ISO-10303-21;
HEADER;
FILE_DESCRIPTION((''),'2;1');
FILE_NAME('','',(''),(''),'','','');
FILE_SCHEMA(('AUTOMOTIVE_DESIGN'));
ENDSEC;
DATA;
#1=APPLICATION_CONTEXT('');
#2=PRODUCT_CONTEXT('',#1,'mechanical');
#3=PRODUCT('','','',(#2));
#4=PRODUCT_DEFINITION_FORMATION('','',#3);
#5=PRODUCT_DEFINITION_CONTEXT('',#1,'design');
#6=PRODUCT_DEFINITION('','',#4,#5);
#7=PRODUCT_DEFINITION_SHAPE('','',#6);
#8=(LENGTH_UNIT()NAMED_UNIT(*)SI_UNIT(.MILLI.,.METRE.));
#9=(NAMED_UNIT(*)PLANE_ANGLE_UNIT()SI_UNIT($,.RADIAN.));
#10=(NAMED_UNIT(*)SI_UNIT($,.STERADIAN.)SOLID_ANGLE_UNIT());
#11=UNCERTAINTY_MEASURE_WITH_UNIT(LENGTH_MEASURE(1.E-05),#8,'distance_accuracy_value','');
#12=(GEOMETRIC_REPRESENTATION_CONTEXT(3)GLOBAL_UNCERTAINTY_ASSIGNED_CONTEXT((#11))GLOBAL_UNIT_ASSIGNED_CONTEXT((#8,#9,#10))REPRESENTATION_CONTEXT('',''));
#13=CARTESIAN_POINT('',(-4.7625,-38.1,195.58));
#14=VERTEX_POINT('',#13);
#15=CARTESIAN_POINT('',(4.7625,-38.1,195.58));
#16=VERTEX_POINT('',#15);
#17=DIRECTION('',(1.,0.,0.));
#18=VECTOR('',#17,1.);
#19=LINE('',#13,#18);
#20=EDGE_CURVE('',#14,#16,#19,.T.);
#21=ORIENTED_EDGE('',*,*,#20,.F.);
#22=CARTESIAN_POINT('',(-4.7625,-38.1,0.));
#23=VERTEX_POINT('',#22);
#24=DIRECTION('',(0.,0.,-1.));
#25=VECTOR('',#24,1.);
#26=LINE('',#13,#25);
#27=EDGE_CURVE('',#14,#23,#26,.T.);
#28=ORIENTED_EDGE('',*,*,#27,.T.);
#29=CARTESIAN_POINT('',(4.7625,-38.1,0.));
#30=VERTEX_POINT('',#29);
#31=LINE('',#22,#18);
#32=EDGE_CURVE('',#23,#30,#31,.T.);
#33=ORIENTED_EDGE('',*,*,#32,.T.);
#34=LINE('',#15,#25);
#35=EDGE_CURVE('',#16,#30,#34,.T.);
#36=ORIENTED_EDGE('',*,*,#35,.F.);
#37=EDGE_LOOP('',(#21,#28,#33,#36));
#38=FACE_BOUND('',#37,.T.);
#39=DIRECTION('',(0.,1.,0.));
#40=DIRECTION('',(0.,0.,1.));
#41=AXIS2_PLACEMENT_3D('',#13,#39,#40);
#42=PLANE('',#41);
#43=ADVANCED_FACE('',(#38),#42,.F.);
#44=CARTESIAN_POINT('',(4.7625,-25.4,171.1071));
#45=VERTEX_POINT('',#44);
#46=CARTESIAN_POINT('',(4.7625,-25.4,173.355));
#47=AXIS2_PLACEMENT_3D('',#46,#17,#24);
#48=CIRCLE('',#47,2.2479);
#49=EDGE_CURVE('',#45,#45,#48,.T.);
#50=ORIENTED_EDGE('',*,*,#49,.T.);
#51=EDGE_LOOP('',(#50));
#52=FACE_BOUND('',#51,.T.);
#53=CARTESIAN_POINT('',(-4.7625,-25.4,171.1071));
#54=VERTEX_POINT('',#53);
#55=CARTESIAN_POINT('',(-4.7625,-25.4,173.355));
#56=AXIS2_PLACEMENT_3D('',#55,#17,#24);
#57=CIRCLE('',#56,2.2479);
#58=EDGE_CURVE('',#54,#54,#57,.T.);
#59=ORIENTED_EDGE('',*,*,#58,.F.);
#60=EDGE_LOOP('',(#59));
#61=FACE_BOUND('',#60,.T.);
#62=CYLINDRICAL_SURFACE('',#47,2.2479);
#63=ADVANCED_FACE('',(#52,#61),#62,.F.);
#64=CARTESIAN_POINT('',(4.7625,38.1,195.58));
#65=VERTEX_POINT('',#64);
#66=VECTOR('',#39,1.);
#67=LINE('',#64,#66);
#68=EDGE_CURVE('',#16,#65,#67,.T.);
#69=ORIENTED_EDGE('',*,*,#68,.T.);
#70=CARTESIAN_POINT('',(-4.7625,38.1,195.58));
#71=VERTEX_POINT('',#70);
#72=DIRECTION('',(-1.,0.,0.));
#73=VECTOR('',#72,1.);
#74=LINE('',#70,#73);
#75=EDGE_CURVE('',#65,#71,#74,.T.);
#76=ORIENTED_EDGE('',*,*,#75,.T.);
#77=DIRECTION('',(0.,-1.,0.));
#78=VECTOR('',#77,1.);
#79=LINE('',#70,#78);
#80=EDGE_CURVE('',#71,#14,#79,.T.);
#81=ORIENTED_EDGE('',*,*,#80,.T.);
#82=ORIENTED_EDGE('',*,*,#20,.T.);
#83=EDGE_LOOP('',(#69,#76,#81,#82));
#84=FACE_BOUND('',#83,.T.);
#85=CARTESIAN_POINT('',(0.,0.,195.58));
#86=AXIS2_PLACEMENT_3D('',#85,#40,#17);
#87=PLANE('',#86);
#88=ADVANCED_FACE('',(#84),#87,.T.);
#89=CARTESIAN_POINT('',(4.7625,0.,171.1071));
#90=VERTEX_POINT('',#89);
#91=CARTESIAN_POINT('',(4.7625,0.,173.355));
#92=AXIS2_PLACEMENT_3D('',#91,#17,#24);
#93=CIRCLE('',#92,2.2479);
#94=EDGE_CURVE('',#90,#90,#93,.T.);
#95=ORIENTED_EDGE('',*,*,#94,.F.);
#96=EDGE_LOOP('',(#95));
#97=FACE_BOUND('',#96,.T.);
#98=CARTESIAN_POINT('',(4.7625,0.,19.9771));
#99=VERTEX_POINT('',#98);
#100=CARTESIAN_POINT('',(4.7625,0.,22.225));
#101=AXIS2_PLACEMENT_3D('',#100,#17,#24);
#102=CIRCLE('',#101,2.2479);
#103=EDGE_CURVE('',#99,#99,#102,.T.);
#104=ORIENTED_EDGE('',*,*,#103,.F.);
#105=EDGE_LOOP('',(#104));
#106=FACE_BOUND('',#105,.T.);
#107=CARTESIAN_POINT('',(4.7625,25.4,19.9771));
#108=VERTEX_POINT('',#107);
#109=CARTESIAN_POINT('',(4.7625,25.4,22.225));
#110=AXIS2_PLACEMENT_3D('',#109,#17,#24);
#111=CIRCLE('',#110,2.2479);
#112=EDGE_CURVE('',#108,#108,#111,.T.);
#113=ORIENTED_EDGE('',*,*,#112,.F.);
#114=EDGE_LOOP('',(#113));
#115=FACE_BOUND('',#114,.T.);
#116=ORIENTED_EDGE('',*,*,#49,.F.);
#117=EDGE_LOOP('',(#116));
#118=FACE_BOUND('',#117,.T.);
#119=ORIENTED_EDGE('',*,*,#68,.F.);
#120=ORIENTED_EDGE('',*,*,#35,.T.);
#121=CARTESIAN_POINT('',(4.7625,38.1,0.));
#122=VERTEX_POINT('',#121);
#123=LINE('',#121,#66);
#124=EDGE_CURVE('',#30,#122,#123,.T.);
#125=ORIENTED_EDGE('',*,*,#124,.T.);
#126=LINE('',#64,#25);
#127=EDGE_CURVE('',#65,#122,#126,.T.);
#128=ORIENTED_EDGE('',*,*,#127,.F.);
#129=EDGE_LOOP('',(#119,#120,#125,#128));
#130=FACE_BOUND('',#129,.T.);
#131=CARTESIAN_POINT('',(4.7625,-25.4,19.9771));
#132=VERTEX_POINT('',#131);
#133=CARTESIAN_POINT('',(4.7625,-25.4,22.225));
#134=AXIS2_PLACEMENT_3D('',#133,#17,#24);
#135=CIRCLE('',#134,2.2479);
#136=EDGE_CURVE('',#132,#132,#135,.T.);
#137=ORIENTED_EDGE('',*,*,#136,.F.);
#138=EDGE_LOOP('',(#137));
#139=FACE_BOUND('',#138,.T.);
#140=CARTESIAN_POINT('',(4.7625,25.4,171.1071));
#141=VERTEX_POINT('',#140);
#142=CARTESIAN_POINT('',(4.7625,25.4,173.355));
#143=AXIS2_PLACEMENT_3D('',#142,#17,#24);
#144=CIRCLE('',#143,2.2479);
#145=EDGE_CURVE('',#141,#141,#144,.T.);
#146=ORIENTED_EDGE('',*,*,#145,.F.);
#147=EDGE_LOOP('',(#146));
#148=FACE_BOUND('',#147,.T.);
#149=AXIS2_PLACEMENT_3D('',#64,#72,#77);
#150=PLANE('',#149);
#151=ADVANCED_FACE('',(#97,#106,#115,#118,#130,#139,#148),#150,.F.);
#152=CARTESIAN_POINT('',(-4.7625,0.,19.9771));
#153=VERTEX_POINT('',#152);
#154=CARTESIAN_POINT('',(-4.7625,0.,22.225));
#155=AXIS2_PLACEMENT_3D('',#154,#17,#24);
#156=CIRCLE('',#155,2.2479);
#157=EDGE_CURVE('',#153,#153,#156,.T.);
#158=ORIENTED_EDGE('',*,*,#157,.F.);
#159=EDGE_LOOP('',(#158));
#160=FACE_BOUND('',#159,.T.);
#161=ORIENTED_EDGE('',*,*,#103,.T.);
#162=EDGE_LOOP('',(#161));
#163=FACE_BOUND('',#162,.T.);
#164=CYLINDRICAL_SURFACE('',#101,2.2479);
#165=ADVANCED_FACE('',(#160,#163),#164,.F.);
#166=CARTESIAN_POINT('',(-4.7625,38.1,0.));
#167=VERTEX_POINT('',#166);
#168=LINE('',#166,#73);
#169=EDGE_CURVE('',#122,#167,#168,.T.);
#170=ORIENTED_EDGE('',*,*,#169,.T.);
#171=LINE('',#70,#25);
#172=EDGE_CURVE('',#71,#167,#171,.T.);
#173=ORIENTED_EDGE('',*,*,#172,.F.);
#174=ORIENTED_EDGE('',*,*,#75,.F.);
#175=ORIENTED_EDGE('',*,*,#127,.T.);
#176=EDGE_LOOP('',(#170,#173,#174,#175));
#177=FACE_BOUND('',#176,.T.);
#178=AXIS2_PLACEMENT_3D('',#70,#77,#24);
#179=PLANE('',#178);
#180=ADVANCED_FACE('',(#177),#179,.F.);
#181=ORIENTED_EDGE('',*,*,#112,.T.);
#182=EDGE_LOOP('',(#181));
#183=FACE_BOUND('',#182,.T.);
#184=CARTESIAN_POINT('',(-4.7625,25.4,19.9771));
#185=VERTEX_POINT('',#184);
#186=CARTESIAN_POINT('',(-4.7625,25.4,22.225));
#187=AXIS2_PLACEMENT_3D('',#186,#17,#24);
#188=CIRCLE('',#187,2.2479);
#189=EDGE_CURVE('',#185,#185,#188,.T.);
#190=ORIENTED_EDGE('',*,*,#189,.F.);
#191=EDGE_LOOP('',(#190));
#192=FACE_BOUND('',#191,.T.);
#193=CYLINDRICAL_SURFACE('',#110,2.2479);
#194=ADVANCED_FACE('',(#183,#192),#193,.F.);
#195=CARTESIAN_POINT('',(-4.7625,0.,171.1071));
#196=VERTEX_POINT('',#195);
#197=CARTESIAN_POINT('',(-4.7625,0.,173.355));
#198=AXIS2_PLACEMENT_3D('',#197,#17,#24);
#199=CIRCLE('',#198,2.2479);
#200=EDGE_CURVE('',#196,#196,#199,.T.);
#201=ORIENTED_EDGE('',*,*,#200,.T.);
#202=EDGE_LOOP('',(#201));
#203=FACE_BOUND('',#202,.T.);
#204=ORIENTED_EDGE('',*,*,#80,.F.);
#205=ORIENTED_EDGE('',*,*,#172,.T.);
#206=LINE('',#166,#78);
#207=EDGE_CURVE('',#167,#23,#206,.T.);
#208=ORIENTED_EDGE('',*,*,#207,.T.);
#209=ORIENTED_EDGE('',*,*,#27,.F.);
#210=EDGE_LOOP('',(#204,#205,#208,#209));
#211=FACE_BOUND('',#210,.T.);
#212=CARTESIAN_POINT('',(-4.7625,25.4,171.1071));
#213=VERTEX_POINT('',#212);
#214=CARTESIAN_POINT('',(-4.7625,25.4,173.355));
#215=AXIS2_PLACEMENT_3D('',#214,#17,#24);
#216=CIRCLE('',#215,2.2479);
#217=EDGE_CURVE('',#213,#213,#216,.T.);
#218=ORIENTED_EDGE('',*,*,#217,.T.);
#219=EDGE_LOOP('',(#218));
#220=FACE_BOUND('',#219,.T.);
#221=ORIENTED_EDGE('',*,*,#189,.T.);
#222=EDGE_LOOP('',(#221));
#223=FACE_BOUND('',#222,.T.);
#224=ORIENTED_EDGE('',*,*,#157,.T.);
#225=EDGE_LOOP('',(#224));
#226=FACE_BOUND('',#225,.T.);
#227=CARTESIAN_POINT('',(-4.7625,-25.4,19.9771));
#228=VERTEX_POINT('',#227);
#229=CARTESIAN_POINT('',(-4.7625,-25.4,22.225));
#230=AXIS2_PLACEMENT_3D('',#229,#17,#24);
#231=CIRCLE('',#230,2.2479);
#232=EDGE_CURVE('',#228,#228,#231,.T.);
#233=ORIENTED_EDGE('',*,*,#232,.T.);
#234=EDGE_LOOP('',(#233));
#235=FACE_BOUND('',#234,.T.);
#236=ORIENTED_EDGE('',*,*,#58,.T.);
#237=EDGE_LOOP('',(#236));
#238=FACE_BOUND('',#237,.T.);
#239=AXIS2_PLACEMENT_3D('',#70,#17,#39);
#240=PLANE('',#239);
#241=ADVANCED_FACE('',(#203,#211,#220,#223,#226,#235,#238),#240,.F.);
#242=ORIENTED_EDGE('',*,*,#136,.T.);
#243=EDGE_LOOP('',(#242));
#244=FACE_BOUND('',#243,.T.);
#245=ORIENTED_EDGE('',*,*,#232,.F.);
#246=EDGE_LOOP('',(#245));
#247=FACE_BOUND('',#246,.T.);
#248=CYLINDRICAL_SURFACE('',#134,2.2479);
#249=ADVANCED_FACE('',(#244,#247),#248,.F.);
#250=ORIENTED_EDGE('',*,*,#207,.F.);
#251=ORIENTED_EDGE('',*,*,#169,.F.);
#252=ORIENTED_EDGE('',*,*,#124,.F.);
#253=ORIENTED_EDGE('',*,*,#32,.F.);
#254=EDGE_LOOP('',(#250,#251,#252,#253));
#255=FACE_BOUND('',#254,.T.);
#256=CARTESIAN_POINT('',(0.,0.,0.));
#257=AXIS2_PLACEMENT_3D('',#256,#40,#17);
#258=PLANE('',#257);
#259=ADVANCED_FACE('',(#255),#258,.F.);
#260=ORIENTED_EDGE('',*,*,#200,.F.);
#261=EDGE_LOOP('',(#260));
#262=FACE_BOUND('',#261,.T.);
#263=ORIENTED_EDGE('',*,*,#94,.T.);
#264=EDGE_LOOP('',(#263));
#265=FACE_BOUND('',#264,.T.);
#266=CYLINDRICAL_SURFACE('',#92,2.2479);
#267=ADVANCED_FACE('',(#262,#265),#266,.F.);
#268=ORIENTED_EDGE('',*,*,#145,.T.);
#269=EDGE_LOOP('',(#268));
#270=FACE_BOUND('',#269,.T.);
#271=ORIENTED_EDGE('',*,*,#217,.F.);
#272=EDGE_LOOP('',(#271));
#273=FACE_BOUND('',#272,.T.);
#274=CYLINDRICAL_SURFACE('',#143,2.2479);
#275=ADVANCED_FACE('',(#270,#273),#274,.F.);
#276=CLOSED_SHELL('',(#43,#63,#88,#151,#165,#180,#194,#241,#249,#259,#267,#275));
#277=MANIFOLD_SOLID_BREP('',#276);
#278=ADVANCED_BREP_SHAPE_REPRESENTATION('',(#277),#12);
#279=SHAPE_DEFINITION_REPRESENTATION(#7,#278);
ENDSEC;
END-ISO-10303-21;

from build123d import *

# Parameters (mm, degrees)
SKETCH1_W             = 9.525
SKETCH1_H             = 76.2
BOSS_EXTRUDE1_DEPTH   = 195.58
F_8_CLEARANCE_HOLE1_D = 4.4958


with BuildPart() as part:
    # Sketch1 → Boss-Extrude1 (new body)
    with BuildSketch(Plane.XY):
        Rectangle(SKETCH1_W, SKETCH1_H)
    extrude(amount=BOSS_EXTRUDE1_DEPTH)

    # #8 Clearance Hole1 (through all)
    with Locations(Plane(origin=(4.7625, 0, 0), x_dir=(0, 0, -1), z_dir=(1, 0, 0))):
        with Locations((-173.355, 25.4), (-173.355, 0), (-173.355, -25.4), (-22.225, 25.4), (-22.225, 0), (-22.225, -25.4)):
            Hole(F_8_CLEARANCE_HOLE1_D / 2)


solid = part.part
